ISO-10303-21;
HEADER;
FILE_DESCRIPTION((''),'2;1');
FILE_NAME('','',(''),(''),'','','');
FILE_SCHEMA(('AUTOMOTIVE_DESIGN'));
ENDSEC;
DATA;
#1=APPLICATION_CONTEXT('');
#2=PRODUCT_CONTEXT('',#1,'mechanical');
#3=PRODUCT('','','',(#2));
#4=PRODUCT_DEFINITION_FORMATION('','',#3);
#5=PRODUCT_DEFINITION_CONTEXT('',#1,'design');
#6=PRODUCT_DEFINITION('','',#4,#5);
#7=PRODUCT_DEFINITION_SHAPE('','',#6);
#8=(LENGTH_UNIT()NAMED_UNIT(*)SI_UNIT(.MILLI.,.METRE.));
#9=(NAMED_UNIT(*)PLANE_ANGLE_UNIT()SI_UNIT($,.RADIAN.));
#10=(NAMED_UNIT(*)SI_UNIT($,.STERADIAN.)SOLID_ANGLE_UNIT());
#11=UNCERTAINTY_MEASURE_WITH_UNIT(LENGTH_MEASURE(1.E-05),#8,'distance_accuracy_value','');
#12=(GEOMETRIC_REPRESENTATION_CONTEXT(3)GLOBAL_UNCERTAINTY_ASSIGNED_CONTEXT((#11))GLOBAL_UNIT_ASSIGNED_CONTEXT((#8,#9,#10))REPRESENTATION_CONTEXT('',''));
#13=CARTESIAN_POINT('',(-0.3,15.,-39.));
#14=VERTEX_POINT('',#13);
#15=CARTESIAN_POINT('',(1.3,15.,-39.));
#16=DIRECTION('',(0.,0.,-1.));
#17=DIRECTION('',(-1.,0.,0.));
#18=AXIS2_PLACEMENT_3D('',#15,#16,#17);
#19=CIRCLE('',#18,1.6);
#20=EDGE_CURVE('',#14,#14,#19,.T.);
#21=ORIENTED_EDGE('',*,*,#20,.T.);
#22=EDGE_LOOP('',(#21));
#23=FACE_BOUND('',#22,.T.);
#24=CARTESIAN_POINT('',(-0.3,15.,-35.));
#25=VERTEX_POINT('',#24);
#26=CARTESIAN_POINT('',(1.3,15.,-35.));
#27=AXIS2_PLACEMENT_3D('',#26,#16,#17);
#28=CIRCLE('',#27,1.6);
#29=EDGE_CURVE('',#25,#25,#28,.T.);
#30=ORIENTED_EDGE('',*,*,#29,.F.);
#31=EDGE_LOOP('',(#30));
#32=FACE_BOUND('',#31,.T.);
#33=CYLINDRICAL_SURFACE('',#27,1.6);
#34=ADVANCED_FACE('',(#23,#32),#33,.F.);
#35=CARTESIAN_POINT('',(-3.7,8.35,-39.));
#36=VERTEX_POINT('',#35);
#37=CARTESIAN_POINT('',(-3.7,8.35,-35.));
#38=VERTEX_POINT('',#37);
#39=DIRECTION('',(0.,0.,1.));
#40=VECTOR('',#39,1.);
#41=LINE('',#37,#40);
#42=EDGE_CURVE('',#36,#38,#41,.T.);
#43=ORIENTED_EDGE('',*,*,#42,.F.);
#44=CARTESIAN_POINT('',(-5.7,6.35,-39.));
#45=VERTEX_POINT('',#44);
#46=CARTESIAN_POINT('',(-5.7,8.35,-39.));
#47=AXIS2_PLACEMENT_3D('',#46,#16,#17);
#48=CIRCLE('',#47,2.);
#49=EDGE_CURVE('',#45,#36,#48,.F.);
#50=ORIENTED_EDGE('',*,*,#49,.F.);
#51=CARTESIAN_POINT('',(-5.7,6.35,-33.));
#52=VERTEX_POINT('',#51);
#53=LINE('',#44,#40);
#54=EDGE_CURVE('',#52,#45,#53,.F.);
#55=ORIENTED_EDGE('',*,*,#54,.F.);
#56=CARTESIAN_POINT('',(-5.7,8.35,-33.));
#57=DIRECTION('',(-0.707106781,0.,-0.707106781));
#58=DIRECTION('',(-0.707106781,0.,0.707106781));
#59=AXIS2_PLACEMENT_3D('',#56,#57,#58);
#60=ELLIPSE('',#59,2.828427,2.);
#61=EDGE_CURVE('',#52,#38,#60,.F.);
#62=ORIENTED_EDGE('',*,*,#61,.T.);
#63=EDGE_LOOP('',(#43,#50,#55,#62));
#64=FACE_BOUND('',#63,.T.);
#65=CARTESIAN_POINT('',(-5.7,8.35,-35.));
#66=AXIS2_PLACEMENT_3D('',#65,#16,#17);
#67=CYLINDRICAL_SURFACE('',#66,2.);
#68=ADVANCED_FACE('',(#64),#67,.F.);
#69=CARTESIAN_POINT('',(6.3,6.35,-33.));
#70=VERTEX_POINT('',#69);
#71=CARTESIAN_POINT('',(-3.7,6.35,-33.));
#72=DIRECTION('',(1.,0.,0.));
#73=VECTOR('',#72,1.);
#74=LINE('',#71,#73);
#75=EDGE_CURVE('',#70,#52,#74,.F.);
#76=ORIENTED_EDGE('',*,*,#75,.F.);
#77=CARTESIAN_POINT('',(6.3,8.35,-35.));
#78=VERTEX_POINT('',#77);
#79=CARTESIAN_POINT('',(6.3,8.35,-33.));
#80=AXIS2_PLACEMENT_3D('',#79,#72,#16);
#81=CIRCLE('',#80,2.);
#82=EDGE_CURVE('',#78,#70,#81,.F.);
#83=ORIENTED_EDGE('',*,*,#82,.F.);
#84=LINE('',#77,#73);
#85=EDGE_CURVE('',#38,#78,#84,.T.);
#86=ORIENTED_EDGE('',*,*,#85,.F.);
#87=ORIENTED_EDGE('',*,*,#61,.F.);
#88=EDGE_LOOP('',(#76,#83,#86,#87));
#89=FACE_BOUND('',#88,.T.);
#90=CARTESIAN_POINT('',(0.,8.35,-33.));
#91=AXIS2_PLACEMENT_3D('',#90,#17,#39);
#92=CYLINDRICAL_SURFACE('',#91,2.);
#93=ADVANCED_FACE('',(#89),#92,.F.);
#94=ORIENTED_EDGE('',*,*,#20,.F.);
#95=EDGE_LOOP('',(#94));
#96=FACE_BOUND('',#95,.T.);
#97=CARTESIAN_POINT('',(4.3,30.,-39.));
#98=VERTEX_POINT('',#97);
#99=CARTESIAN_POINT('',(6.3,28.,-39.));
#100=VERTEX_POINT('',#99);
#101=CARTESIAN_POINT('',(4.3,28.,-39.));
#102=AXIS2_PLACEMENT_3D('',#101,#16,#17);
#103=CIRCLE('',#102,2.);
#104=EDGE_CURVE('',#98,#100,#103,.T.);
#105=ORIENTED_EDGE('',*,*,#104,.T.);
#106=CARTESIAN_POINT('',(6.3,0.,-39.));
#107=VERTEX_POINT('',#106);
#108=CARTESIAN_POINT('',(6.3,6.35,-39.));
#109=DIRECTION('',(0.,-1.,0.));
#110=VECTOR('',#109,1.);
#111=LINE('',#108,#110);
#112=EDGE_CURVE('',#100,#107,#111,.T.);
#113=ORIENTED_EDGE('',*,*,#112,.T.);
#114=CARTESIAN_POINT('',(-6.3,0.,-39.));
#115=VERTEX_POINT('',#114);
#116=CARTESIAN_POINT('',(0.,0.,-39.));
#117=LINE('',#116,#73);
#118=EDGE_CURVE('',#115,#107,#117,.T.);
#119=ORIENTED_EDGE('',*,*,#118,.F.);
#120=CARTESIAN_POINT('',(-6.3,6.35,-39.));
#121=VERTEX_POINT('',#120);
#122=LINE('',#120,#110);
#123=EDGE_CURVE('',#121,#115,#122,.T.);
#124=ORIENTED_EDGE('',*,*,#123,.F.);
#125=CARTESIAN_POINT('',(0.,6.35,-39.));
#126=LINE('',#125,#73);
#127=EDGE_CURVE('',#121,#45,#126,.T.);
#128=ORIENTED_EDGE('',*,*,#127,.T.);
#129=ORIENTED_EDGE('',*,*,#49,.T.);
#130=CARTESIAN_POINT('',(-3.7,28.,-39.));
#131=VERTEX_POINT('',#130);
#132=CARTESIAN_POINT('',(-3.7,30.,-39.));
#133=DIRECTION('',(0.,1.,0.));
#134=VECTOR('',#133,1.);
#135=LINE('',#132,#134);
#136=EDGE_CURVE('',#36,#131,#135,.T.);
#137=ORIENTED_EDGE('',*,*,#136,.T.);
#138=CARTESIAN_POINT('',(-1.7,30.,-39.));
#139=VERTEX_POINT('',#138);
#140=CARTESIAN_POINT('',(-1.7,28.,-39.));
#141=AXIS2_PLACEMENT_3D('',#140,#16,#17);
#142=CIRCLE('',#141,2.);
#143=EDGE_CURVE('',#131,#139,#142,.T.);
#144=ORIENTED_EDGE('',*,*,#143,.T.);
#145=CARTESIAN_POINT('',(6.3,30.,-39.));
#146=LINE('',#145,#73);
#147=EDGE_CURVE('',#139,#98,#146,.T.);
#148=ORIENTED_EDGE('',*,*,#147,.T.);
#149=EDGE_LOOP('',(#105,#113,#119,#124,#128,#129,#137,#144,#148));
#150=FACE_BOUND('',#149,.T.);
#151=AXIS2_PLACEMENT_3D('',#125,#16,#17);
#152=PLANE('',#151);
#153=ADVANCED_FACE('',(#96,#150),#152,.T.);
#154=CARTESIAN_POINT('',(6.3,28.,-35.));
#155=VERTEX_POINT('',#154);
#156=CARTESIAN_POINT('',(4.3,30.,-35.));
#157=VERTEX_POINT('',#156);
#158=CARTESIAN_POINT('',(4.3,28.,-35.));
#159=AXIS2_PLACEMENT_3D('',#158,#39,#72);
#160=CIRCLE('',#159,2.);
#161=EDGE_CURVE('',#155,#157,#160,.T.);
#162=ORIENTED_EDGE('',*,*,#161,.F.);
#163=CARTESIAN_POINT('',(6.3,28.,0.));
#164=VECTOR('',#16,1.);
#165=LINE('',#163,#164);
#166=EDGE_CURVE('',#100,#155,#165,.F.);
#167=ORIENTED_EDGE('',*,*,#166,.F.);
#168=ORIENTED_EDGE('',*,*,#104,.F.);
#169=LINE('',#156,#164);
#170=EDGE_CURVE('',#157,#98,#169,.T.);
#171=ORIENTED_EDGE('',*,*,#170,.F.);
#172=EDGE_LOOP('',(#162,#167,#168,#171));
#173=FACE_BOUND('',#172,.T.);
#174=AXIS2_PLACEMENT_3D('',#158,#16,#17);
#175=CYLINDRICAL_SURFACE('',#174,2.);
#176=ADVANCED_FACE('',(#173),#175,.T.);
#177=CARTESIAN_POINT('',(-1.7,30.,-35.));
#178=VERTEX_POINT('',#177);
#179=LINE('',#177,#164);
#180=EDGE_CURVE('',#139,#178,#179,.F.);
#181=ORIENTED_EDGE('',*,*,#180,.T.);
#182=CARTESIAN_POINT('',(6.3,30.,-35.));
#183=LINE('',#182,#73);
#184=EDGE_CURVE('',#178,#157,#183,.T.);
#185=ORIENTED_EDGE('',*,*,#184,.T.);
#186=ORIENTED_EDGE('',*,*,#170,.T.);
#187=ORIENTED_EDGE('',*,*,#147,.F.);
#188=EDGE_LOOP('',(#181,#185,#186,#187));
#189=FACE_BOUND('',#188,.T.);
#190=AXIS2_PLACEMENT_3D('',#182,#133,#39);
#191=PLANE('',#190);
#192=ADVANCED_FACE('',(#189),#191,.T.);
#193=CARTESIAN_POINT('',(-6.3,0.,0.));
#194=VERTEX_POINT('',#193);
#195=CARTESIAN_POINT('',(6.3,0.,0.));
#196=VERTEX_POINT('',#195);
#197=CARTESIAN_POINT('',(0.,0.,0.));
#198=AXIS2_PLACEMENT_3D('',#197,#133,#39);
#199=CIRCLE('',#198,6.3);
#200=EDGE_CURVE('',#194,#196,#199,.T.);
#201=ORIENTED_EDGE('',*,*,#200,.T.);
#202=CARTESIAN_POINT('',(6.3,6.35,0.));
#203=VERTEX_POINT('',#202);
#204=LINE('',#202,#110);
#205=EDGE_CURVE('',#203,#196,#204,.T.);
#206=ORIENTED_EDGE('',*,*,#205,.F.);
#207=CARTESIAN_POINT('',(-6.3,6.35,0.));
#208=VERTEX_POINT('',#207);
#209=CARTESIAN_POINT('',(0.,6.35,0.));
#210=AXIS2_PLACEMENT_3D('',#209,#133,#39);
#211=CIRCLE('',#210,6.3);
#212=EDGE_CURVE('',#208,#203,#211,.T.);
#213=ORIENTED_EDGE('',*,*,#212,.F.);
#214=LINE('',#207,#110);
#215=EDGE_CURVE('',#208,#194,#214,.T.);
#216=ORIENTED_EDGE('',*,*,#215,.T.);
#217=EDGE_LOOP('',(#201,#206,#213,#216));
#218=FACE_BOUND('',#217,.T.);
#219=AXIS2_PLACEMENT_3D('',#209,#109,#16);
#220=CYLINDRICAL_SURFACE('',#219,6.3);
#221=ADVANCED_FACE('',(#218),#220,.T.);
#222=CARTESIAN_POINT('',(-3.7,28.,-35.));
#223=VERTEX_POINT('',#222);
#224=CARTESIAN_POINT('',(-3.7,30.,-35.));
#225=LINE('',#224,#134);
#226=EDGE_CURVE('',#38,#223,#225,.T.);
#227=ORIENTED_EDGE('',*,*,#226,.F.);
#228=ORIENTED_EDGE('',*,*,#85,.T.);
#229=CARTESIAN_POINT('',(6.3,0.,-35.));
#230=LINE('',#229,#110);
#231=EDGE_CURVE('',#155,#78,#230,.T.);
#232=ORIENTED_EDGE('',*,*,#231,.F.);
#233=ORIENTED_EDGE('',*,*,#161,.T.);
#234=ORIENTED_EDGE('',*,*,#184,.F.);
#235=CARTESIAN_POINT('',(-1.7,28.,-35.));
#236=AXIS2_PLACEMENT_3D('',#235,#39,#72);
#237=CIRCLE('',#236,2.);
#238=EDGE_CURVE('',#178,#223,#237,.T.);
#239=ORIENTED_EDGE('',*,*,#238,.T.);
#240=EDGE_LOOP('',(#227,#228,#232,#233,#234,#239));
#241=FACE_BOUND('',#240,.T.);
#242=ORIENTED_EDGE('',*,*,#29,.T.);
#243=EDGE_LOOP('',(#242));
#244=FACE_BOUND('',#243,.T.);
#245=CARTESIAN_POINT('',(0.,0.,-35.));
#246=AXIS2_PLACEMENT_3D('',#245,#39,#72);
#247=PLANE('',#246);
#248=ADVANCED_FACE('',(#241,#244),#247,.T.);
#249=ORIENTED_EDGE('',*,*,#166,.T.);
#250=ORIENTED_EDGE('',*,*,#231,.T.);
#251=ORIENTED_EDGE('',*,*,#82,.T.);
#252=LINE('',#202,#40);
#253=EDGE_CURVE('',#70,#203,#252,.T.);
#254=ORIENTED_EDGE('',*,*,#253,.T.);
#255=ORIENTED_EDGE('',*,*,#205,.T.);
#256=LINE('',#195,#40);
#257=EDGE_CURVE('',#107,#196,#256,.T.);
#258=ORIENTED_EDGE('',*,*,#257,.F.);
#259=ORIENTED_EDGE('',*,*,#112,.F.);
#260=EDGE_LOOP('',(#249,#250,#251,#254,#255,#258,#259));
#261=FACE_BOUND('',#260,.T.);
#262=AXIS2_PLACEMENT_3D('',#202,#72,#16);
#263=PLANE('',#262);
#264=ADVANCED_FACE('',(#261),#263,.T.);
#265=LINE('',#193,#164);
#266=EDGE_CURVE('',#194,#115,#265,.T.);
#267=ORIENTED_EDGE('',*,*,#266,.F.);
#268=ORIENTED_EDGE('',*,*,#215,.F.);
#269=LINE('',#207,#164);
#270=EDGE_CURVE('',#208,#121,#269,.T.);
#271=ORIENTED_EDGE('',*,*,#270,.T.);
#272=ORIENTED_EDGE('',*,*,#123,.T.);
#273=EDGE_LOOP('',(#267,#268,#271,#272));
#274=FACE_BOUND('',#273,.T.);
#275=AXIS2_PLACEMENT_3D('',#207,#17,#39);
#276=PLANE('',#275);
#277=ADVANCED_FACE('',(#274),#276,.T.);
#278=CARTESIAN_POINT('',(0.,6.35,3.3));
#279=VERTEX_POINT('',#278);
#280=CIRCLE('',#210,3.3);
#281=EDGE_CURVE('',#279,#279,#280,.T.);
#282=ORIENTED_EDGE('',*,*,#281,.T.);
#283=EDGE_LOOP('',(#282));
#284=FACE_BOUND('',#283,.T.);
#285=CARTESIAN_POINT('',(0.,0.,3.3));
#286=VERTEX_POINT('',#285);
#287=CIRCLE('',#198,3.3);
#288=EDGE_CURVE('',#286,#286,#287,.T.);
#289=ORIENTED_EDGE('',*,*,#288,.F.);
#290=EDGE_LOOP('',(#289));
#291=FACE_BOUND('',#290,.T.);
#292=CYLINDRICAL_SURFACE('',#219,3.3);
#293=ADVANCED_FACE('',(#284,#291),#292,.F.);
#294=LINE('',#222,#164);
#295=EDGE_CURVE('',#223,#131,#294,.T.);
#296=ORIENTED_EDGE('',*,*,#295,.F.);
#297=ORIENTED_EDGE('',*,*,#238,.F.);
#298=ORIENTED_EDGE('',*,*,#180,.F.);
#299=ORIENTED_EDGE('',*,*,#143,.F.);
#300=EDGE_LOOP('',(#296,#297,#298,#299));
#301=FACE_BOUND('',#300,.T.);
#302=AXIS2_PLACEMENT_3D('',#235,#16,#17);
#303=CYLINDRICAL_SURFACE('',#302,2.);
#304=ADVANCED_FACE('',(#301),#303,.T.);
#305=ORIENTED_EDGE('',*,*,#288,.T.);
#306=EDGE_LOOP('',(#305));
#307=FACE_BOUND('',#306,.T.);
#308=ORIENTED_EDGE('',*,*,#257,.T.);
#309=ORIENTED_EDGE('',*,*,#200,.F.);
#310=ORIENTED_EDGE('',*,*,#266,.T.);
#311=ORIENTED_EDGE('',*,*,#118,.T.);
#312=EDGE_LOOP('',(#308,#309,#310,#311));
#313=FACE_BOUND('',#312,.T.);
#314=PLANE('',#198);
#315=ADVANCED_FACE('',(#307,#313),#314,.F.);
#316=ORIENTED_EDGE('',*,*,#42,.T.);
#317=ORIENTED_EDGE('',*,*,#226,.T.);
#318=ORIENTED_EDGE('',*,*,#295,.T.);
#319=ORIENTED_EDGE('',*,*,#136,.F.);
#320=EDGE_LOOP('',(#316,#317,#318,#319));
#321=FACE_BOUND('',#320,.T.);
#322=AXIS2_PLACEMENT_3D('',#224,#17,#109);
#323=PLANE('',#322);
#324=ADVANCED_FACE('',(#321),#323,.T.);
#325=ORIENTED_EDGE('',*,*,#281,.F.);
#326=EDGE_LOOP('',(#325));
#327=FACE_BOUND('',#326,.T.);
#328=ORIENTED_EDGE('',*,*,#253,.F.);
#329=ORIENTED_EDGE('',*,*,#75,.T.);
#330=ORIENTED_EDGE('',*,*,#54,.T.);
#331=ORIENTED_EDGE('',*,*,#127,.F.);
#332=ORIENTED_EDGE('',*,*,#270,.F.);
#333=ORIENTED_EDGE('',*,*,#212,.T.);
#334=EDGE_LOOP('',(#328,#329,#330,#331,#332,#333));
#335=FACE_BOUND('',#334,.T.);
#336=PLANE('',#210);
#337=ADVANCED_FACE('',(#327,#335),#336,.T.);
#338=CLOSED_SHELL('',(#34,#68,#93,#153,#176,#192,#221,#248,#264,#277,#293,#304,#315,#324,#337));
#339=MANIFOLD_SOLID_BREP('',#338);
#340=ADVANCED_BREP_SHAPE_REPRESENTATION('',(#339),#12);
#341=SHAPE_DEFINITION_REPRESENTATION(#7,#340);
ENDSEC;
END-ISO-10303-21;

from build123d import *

# Parameters (mm, degrees)
SKETCH1_R           = 6.3
SKETCH1_R_2         = 3.3
BOSS_EXTRUDE1_DEPTH = 6.35
SKETCH2_W           = 10
SKETCH2_H           = 30
SKETCH2_R           = 1.6
BOSS_EXTRUDE2_DEPTH = 4
FILLET1_R           = 2


with BuildPart() as part:
    # Sketch1 → Boss-Extrude1 (new body)
    with BuildSketch(Plane(origin=(0, 0, 0), x_dir=(1, 0, 0), z_dir=(0, 1, 0))):
        Circle(SKETCH1_R)
        Circle(SKETCH1_R_2, mode=Mode.SUBTRACT)
        with BuildLine():
            Line((-6.3, 39), (-6.3, 0))
            ThreePointArc((-6.3, 0), (0, 6.3), (6.3, 0))
            Line((6.3, 0), (6.3, 39))
            Line((6.3, 39), (-6.3, 39))
        make_face()
    extrude(amount=BOSS_EXTRUDE1_DEPTH)

    # Sketch2 → Boss-Extrude2 (add)
    with BuildSketch(Plane(origin=(0, 0, -39), x_dir=(-1, 0, 0), z_dir=(0, 0, -1))):
        with Locations((-1.3, 15)):
            Rectangle(SKETCH2_W, SKETCH2_H)
        with Locations((-1.3, 15)):
            Circle(SKETCH2_R, mode=Mode.SUBTRACT)
    extrude(amount=-BOSS_EXTRUDE2_DEPTH)

    # Fillet1
    fillet1_edges = [part.edges().sort_by_distance(p)[0] for p in [
        (6.3, 30, -37),
        (-3.7, 6.35, -37),
        (-3.7, 30, -37),
        (1.3, 6.35, -35),
    ]]
    fillet(fillet1_edges, radius=FILLET1_R)


solid = part.part
